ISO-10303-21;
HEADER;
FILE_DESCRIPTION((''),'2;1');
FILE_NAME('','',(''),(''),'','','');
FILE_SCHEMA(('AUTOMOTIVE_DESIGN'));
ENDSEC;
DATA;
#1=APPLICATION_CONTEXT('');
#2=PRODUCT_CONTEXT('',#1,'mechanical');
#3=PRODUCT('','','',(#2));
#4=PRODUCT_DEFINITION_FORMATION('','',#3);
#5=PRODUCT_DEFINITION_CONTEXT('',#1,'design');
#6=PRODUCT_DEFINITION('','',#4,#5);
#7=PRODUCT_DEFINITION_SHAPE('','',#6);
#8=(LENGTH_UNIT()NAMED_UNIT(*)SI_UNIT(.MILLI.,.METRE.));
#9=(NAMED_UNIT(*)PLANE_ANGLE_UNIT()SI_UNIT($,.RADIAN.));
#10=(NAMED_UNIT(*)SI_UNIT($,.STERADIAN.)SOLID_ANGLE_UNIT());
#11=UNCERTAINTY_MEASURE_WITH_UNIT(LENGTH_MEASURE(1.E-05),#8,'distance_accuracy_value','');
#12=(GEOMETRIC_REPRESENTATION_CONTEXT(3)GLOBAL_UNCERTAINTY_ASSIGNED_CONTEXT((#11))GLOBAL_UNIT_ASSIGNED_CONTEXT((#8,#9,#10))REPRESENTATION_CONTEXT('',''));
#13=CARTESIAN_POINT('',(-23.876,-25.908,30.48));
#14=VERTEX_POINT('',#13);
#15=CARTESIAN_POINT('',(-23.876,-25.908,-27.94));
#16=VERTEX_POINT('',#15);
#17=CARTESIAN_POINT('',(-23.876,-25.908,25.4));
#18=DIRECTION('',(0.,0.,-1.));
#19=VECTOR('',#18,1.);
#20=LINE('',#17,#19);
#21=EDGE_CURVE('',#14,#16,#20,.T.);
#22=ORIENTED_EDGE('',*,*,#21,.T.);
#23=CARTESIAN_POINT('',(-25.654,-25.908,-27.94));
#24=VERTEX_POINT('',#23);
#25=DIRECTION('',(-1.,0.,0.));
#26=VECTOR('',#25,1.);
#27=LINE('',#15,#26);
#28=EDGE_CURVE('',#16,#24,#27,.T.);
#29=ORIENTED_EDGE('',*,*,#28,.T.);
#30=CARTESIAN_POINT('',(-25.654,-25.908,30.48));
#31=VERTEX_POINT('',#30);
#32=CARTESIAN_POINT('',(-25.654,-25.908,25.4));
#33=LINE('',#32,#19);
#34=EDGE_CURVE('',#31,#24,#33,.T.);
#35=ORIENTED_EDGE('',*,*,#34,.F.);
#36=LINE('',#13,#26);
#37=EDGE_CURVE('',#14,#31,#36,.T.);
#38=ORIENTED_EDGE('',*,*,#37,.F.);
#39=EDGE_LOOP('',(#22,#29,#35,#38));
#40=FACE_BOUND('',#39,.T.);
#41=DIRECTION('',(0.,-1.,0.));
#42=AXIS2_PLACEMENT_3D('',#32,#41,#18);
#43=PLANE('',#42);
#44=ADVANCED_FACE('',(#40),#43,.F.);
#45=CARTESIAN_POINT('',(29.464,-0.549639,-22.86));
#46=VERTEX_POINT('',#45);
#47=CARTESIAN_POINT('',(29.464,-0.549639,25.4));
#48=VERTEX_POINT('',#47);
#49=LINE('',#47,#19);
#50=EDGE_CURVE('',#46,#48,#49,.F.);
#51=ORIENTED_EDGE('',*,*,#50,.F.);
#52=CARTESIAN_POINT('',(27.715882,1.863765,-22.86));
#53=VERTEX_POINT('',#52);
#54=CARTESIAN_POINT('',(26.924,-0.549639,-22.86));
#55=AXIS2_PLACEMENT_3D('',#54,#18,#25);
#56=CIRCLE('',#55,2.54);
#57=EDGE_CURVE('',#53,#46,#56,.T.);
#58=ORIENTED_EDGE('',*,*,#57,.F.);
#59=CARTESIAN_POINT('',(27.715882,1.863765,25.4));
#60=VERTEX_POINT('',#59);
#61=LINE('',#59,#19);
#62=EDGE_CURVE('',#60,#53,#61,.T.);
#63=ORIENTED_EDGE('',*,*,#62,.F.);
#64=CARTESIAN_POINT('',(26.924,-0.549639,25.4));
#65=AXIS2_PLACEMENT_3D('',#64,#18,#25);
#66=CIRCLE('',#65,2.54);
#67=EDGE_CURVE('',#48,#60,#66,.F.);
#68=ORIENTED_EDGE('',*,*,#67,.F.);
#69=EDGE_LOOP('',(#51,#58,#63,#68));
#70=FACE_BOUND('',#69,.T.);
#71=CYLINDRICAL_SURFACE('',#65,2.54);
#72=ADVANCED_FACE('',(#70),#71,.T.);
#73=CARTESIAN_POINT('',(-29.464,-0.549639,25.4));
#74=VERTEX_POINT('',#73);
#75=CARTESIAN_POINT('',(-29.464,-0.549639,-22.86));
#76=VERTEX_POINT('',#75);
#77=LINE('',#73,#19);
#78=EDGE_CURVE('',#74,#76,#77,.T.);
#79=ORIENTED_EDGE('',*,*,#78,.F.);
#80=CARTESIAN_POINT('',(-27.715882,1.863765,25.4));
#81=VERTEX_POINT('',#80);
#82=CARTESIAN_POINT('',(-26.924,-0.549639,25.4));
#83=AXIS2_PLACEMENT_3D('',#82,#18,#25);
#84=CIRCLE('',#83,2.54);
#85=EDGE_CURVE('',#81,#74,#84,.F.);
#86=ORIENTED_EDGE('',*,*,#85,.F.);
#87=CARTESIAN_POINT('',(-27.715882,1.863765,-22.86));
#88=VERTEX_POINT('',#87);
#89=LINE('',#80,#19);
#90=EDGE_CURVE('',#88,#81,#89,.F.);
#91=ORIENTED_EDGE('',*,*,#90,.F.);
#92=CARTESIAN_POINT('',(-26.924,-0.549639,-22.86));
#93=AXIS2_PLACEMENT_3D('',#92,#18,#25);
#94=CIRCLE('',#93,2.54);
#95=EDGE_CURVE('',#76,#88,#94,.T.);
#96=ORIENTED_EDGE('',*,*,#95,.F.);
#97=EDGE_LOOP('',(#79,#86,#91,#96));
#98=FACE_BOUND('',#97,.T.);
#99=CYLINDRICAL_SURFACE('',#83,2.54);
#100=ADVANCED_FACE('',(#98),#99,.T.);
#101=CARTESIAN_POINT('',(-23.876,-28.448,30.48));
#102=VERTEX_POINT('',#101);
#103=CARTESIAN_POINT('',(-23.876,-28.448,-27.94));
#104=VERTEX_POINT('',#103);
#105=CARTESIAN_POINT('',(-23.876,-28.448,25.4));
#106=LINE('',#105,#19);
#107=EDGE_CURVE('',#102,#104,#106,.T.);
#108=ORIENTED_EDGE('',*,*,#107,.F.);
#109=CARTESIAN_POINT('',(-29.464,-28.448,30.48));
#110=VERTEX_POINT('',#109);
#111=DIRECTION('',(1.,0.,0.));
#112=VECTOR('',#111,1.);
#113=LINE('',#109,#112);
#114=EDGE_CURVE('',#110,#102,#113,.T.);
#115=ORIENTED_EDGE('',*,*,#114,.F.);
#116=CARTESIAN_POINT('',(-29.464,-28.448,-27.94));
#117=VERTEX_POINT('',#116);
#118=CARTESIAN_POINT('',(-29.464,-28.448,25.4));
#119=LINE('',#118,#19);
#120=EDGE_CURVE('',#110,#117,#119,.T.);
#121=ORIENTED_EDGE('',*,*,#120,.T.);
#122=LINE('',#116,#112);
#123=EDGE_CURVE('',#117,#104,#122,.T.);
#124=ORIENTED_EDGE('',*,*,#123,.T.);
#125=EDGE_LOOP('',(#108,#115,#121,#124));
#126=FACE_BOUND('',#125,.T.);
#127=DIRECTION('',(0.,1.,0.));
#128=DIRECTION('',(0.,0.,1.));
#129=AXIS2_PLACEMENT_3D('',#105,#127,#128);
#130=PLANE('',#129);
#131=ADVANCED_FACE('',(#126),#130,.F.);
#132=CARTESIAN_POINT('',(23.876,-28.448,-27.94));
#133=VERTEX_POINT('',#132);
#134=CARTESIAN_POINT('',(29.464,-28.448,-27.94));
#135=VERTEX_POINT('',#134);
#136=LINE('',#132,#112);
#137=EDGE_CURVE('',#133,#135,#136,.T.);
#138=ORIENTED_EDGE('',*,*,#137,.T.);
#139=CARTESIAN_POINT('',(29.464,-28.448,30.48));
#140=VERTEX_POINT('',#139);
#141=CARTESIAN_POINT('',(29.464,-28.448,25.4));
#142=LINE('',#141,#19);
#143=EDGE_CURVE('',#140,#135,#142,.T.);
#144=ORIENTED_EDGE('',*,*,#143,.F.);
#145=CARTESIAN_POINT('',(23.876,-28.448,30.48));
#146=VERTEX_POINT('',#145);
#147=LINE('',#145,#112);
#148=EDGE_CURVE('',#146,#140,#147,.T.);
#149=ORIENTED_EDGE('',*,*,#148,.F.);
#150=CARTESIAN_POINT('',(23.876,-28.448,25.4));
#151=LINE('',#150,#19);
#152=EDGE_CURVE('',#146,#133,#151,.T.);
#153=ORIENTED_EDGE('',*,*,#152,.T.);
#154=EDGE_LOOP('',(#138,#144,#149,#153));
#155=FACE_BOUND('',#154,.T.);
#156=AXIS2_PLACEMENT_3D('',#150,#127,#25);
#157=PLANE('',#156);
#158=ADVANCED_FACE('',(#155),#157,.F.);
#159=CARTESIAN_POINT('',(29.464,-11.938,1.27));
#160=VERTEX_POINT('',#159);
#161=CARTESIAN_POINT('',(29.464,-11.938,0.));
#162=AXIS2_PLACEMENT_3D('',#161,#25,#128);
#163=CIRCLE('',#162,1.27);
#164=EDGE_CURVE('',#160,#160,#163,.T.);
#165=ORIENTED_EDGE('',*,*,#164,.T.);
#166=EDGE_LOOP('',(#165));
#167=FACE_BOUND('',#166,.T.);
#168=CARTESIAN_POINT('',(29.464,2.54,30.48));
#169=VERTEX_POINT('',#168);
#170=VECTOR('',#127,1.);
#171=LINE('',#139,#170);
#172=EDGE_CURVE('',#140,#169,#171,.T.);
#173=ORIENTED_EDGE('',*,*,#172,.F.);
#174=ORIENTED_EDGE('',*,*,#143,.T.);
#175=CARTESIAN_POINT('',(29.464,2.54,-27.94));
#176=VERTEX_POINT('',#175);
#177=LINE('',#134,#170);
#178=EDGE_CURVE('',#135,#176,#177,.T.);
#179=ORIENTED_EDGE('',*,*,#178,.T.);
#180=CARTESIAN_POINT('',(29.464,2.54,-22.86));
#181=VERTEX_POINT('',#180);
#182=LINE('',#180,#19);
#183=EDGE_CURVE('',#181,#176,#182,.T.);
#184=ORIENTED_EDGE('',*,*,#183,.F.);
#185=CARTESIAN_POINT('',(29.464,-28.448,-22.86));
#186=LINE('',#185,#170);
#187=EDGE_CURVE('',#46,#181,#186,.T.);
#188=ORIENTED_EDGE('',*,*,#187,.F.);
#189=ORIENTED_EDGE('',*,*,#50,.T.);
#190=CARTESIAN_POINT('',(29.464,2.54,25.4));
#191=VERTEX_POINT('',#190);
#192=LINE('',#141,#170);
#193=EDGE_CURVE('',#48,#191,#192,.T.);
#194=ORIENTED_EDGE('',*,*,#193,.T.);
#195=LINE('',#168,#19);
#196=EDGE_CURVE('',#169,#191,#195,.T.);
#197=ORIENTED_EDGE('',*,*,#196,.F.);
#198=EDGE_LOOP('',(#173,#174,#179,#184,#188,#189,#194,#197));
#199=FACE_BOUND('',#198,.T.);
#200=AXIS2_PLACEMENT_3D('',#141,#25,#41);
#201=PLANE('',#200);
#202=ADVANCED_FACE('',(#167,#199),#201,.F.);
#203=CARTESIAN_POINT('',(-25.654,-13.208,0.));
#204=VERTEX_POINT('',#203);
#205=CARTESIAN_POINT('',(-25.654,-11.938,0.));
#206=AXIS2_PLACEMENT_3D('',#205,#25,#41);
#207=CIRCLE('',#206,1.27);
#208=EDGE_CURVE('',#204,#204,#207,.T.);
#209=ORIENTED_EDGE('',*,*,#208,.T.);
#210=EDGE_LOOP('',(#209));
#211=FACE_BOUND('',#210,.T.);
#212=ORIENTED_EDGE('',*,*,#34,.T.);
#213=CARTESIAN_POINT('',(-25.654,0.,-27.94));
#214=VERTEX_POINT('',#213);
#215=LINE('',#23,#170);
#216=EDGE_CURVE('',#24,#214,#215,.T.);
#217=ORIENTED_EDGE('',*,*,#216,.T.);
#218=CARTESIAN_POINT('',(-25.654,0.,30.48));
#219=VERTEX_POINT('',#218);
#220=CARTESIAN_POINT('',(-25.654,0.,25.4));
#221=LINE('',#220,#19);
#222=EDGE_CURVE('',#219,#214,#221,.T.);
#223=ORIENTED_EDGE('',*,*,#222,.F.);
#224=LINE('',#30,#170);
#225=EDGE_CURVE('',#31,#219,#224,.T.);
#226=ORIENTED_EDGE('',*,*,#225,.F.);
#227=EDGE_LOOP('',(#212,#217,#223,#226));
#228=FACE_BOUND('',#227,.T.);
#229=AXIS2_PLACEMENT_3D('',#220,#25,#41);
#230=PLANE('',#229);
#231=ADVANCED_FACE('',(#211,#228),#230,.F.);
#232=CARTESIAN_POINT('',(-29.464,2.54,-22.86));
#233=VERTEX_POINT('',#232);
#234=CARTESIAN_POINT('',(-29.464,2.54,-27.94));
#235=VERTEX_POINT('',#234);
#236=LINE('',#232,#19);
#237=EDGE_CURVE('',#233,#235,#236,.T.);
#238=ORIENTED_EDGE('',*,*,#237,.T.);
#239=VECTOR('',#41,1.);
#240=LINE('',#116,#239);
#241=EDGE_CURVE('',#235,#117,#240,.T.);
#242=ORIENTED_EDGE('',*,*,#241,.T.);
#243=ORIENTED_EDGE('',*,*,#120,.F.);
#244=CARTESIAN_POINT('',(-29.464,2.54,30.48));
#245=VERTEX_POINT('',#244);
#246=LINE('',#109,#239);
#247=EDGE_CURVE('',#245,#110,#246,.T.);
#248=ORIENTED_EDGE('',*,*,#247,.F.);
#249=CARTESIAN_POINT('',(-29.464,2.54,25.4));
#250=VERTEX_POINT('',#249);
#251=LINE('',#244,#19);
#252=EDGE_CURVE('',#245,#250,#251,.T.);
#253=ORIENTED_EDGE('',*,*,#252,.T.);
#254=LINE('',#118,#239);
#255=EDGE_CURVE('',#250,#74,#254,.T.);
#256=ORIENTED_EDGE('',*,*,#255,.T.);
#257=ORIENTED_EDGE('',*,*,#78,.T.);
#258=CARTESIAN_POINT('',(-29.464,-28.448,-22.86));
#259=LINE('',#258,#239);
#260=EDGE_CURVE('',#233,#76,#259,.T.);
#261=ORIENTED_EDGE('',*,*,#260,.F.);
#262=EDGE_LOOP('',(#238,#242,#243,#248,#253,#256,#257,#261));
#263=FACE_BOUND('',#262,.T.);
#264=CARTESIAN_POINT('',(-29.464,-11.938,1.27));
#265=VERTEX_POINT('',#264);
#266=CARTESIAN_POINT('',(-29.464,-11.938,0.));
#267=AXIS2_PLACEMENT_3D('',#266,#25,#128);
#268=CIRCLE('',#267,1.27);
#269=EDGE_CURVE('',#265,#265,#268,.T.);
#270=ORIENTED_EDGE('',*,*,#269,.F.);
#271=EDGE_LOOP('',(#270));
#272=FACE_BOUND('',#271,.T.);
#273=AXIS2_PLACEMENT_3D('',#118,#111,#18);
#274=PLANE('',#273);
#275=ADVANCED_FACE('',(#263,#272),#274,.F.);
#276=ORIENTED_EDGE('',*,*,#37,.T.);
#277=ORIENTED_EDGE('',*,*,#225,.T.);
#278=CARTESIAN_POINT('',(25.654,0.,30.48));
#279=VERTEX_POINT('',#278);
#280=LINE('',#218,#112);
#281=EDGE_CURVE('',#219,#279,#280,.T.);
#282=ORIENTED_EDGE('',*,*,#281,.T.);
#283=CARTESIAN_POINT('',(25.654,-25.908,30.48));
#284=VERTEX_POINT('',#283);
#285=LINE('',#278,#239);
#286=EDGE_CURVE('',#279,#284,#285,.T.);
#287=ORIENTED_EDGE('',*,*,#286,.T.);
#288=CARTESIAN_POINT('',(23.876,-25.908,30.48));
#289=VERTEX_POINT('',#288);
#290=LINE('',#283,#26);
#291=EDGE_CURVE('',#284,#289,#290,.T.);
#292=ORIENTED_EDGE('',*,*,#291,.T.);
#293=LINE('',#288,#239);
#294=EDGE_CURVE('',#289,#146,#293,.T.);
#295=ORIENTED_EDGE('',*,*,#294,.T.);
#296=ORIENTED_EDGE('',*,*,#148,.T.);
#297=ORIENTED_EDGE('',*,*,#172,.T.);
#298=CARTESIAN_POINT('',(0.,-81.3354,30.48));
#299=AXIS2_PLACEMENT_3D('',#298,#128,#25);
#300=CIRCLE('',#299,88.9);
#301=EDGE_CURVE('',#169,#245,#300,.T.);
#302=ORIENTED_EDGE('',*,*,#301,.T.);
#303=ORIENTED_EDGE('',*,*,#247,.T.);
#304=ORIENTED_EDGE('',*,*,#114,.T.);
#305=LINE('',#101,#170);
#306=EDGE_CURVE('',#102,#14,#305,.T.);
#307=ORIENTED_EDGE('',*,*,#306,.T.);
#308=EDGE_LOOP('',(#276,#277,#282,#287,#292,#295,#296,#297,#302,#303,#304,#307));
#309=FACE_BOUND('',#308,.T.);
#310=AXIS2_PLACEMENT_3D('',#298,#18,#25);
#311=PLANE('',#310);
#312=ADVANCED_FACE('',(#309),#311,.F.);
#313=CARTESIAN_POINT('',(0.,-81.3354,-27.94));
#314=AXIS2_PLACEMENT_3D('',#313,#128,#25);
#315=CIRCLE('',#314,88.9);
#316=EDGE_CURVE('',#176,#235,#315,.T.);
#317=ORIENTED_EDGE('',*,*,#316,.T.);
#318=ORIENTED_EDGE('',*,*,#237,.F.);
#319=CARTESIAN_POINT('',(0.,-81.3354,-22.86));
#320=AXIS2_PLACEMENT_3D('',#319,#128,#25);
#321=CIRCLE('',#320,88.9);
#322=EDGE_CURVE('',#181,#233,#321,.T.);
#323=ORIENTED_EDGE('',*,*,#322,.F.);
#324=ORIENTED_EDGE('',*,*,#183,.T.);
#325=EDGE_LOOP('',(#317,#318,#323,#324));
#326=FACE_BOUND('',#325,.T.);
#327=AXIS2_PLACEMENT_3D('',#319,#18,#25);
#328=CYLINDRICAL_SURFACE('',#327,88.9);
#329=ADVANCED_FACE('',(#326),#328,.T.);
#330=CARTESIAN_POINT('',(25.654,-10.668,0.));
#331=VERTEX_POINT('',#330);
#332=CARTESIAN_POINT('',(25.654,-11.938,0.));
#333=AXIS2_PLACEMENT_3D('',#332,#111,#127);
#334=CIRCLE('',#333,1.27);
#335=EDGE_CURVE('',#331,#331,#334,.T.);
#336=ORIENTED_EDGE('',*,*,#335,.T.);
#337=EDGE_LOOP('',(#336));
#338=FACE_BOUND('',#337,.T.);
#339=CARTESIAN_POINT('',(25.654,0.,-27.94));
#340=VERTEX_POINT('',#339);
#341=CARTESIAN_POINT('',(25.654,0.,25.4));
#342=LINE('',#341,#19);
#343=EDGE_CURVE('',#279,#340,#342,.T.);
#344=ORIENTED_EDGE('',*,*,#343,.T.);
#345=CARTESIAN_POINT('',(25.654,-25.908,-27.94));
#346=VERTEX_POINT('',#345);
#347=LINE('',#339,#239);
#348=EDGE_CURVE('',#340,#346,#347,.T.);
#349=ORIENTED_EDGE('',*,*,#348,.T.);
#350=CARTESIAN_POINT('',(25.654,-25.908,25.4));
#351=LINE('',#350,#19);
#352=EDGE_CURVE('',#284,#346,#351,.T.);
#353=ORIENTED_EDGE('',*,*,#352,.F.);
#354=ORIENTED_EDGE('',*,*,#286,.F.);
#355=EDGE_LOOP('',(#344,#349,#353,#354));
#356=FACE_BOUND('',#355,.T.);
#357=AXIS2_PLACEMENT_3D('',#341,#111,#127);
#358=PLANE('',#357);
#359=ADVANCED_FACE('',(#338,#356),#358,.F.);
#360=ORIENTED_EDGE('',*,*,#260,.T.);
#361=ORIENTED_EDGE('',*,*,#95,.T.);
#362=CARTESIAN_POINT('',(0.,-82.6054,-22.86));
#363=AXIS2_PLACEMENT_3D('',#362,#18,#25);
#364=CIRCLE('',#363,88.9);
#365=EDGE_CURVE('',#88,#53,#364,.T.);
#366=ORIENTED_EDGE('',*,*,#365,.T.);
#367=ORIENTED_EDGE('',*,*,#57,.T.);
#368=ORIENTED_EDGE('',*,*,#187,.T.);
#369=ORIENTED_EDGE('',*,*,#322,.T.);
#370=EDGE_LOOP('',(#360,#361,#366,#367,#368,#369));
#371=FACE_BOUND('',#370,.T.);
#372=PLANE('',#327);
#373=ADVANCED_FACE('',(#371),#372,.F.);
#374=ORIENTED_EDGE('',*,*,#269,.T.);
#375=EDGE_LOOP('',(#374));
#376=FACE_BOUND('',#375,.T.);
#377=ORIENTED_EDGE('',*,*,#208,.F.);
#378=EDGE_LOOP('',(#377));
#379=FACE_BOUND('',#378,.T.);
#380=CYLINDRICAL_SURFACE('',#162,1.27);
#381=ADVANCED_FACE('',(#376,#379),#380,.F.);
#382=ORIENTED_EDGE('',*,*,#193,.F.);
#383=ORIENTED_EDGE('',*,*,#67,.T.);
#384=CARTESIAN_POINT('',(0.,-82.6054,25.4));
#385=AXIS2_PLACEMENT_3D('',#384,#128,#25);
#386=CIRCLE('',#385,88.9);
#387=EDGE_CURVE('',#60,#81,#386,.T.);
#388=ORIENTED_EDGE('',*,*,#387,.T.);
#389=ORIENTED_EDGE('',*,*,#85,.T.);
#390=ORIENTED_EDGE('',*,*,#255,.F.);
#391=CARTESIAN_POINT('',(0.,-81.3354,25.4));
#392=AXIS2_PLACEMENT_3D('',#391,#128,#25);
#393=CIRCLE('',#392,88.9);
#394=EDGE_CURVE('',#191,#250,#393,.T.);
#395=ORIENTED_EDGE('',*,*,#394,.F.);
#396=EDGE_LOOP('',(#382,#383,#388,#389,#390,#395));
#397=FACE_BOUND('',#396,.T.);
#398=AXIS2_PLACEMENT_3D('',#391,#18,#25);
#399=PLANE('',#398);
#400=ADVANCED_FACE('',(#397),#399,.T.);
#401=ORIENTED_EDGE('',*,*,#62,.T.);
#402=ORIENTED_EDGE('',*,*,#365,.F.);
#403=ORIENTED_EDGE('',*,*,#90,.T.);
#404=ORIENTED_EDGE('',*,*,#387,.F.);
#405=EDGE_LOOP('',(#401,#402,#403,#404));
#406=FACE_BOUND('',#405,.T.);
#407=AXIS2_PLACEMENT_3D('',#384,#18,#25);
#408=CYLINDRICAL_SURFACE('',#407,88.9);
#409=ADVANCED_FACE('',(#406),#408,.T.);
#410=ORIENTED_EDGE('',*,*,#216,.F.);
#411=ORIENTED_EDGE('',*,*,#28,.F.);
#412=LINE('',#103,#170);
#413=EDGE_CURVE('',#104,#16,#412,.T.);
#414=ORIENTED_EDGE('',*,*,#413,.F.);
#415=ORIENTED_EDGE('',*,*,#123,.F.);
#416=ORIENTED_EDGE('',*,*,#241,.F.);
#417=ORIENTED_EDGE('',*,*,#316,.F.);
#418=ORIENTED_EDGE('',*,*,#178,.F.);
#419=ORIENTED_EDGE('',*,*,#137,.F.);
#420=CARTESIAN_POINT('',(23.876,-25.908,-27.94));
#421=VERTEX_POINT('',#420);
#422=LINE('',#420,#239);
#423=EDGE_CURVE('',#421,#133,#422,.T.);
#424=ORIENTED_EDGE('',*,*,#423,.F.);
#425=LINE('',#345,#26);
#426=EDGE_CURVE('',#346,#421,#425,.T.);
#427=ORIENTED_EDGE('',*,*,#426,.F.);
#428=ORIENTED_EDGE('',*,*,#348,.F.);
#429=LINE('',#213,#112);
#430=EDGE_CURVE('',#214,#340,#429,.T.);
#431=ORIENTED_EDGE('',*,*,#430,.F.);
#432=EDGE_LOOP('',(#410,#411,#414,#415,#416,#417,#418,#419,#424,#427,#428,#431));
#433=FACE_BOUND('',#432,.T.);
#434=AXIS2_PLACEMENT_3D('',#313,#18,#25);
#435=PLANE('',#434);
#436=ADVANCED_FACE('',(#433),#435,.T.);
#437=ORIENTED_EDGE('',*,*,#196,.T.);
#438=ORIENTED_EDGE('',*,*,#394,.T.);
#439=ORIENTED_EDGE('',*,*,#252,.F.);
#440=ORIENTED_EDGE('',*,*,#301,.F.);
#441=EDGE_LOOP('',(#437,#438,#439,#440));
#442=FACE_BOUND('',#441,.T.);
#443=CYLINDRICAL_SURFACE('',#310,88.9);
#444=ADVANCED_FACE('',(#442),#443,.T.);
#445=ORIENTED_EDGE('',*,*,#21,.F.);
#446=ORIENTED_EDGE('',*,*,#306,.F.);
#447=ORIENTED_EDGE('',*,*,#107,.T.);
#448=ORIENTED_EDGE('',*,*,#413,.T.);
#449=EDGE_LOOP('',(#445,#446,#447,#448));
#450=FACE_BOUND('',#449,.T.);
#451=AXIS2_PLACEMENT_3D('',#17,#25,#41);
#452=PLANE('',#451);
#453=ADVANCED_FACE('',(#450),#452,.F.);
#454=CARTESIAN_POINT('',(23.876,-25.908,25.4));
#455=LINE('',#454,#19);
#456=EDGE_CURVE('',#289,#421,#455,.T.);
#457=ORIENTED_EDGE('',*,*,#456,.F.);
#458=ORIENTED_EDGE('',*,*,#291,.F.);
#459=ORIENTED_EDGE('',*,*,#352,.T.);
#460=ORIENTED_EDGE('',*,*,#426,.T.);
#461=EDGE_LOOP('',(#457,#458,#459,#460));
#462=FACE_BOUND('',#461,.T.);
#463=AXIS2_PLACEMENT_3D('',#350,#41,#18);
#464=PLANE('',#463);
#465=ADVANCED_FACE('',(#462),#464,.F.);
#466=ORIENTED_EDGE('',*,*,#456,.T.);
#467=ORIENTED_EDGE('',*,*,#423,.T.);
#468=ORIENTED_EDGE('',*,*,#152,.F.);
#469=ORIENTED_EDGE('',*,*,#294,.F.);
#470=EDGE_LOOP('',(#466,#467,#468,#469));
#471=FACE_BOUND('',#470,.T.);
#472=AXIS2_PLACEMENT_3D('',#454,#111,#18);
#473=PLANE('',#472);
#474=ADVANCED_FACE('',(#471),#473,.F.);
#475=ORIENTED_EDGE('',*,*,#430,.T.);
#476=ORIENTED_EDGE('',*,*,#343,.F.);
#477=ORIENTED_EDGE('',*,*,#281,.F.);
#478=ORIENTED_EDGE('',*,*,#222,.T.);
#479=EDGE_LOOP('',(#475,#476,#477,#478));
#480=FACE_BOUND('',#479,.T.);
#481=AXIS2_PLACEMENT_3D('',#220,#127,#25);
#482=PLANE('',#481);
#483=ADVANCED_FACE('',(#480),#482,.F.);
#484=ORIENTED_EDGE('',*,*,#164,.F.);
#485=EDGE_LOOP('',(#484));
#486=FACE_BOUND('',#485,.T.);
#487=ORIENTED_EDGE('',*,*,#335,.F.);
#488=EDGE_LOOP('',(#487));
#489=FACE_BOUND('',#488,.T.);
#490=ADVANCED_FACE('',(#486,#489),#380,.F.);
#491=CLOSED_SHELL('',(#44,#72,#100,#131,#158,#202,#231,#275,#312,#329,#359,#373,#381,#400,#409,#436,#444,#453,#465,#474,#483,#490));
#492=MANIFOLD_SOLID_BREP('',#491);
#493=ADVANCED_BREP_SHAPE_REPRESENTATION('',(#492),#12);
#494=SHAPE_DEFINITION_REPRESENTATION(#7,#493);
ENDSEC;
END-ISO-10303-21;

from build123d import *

# Parameters (mm, degrees)
BOSS_EXTRUDE1_DEPTH = 25.4
BOSS_EXTRUDE2_DEPTH = 5.08
LPATTERN1_COUNT     = 2
LPATTERN1_PITCH     = 53.34
FILLET7_R           = 2.54
SKETCH4_R           = 1.27
CUT_EXTRUDE1_DEPTH  = 73.186067132


with BuildPart() as part:
    # Sketch1 → Boss-Extrude1 (new, symmetric)
    with BuildSketch(Plane.XY):
        with BuildLine():
            Line((-25.654, 0), (25.654, 0))
            Line((25.654, 0), (25.654, -25.908))
            Line((25.654, -25.908), (23.876, -25.908))
            Line((23.876, -25.908), (23.876, -28.448))
            Line((23.876, -28.448), (29.464, -28.448))
            Line((29.464, -28.448), (29.464, 1.27))
            ThreePointArc((29.464, 1.27), (0, 6.294600126), (-29.464, 1.27))
            Line((-29.464, 1.27), (-29.464, -28.448))
            Line((-29.464, -28.448), (-23.876, -28.448))
            Line((-23.876, -28.448), (-23.876, -25.908))
            Line((-23.876, -25.908), (-25.654, -25.908))
            Line((-25.654, -25.908), (-25.654, 0))
        make_face()
    extrude(amount=BOSS_EXTRUDE1_DEPTH, both=True)

    # Sketch2 → Boss-Extrude2 (add)
    with BuildSketch(Plane.XY.offset(25.4)):
        with BuildLine():
            Line((29.464, -28.448), (29.464, 2.54))
            ThreePointArc((29.464, 2.54), (0, 7.564600126), (-29.464, 2.54))
            Line((-29.464, 2.54), (-29.464, -28.448))
            Line((-29.464, -28.448), (-23.876, -28.448))
            Line((-23.876, -28.448), (-23.876, -25.908))
            Line((-23.876, -25.908), (-25.654, -25.908))
            Line((-25.654, -25.908), (-25.654, 0))
            Line((-25.654, 0), (25.654, 0))
            Line((25.654, 0), (25.654, -25.908))
            Line((25.654, -25.908), (23.876, -25.908))
            Line((23.876, -25.908), (23.876, -28.448))
            Line((23.876, -28.448), (29.464, -28.448))
        make_face()
    boss_extrude2 = extrude(amount=BOSS_EXTRUDE2_DEPTH)

    # LPattern1: Boss-Extrude2 ×2
    with Locations(*[(0, 0, -i * LPATTERN1_PITCH) for i in range(1, LPATTERN1_COUNT)]):
        add(boss_extrude2)

    # Fillet7
    fillet7_edges = [part.edges().sort_by_distance(p)[0] for p in [
        (-29.464, 1.27, 1.27),
        (29.464, 1.27, 1.27),
    ]]
    fillet(fillet7_edges, radius=FILLET7_R)

    # Sketch4 → Cut-Extrude1 (cut, through all)
    with BuildSketch(Plane.ZY.offset(29.464)):
        with Locations((0, -11.938)):
            Circle(SKETCH4_R)
    extrude(amount=-CUT_EXTRUDE1_DEPTH, mode=Mode.SUBTRACT)


solid = part.part
